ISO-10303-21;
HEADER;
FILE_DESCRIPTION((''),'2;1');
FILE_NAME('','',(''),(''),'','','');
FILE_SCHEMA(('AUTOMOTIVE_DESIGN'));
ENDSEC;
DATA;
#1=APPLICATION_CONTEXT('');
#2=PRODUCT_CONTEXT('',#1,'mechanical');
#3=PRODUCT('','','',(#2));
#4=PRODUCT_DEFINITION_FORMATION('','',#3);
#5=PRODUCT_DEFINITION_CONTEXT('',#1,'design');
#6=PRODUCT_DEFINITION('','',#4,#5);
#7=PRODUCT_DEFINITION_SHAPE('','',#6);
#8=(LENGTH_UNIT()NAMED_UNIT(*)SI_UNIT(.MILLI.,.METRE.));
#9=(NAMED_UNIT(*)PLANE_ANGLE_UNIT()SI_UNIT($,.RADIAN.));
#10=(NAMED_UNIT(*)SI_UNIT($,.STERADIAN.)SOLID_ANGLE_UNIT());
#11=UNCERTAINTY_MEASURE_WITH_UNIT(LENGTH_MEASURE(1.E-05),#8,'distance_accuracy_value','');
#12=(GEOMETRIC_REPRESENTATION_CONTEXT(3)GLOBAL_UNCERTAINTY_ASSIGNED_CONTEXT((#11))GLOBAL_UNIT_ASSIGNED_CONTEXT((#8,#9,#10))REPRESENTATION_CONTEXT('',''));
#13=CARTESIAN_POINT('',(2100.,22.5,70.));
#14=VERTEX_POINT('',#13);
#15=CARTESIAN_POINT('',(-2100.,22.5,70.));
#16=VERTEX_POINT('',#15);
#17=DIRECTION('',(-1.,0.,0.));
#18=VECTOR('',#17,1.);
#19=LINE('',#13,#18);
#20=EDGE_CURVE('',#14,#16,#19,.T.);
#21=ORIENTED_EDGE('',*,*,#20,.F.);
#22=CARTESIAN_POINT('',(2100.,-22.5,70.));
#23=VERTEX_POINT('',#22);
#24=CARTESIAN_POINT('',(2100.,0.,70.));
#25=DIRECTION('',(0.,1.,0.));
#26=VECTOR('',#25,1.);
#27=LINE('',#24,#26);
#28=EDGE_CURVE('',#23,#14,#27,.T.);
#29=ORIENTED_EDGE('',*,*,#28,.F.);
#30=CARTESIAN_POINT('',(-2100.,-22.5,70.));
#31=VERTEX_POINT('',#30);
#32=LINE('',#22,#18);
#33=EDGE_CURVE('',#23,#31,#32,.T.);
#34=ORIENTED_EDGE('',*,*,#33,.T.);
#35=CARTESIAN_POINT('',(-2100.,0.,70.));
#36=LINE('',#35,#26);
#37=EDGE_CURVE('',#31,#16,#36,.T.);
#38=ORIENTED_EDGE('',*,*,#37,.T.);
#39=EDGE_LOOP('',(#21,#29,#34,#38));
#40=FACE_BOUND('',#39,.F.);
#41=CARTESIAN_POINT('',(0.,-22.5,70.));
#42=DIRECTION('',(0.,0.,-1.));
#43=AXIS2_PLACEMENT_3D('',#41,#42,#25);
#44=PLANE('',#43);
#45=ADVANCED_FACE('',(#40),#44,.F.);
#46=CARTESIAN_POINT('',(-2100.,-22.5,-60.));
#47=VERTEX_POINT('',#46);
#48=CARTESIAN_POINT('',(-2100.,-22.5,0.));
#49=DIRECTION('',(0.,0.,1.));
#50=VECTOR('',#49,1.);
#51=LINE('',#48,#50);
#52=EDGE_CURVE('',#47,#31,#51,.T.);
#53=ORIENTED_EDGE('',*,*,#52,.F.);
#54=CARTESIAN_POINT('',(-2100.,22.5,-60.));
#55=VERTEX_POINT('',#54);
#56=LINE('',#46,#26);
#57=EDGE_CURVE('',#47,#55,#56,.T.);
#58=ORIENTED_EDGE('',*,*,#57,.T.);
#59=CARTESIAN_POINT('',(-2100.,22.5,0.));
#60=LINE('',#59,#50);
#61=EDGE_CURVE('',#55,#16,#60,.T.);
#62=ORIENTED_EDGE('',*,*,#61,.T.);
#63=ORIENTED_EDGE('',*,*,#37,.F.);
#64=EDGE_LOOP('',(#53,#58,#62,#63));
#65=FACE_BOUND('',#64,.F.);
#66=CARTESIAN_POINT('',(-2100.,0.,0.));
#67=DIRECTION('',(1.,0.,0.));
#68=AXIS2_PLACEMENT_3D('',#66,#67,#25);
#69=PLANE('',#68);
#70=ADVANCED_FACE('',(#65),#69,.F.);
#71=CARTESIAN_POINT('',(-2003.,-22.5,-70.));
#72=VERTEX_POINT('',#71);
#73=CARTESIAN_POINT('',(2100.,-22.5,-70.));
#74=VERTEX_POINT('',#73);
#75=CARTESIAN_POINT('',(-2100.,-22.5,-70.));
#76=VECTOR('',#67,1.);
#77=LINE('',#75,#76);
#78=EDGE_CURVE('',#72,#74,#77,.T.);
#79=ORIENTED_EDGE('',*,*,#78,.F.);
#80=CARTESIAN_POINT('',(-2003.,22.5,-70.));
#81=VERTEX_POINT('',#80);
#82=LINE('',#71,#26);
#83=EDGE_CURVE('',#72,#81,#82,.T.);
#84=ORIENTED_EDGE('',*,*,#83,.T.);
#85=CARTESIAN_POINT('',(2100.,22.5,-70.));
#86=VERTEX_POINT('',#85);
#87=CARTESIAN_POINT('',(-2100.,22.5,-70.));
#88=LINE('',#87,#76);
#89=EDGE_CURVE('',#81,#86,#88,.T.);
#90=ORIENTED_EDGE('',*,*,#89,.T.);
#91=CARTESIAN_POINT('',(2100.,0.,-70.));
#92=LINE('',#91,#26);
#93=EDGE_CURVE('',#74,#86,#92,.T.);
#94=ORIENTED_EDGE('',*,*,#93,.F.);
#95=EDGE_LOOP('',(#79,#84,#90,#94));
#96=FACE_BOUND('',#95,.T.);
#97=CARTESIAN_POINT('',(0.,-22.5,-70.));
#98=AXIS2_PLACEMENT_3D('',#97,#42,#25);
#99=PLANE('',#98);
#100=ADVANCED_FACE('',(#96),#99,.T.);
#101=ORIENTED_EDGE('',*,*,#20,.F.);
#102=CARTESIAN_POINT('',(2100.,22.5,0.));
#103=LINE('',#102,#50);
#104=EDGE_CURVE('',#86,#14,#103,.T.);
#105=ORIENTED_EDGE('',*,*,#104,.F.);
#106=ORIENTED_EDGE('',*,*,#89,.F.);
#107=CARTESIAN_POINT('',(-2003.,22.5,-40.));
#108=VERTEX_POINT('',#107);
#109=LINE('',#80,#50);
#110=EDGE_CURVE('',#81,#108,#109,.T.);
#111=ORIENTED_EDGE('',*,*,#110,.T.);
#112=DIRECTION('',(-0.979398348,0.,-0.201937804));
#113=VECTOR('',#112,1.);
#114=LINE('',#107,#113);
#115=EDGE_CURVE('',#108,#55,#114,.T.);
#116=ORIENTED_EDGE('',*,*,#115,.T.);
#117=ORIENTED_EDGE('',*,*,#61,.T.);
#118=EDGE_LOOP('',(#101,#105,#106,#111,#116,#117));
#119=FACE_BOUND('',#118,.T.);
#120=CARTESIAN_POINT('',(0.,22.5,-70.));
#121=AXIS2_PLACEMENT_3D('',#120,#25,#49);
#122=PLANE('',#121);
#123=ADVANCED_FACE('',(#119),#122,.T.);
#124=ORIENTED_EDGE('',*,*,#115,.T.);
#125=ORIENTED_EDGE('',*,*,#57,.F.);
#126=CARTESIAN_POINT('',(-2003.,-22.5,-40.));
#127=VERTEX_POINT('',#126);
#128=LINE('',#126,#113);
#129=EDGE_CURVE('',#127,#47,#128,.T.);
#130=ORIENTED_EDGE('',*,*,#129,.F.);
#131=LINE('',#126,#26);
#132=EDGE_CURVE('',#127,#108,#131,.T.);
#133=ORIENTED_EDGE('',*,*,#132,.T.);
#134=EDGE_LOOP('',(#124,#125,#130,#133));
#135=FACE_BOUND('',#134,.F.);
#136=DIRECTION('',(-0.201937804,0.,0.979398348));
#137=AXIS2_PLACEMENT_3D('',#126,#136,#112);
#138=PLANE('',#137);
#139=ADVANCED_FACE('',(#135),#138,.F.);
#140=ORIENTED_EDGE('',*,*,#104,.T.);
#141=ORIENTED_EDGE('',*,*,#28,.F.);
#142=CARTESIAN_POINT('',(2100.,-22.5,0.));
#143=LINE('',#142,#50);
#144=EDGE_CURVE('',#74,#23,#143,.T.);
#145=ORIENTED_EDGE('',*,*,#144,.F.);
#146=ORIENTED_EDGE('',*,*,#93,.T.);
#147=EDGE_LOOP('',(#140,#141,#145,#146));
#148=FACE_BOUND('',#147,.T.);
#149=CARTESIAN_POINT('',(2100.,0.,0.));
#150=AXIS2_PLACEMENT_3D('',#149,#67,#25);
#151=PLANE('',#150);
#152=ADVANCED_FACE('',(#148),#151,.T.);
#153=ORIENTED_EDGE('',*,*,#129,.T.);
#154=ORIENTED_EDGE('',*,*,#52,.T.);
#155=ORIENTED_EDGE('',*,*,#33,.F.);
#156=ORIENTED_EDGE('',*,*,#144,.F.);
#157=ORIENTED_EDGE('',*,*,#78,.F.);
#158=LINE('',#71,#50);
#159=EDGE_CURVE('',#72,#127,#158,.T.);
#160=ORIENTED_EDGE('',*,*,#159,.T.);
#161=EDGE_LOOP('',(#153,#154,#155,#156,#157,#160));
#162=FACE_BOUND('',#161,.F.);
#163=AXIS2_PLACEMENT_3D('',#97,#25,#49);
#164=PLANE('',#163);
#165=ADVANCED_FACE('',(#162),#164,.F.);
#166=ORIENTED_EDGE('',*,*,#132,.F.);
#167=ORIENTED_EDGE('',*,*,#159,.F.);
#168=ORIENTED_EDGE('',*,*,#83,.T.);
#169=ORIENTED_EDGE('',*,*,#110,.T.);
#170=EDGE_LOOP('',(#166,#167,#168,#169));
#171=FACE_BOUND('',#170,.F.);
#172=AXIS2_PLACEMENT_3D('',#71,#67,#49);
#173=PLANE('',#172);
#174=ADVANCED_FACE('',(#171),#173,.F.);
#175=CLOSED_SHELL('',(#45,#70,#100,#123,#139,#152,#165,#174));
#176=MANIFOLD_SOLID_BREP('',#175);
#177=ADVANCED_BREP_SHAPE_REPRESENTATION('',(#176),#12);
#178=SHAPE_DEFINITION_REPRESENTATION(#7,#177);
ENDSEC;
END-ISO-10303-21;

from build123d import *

# Parameters (mm, degrees)
F0_W     = 45
F0_H     = 140
F1_DEPTH = 2100
F3_DEPTH = 45


with BuildPart() as f1:
    # F0 (on Right) → F1 (new body, symmetric)
    with BuildSketch(Plane.YZ):
        Rectangle(F0_W, F0_H)
    extrude(amount=F1_DEPTH, both=True)

    # F2 (on face) → F3 (cut, through all)
    with BuildSketch(Plane.XZ.offset(22.5)):
        Polygon((-2003, -40), (-2100, -60), (-2100, -70), (-2003, -70), align=None)
    extrude(amount=-F3_DEPTH, mode=Mode.SUBTRACT)


solid = f1.part
